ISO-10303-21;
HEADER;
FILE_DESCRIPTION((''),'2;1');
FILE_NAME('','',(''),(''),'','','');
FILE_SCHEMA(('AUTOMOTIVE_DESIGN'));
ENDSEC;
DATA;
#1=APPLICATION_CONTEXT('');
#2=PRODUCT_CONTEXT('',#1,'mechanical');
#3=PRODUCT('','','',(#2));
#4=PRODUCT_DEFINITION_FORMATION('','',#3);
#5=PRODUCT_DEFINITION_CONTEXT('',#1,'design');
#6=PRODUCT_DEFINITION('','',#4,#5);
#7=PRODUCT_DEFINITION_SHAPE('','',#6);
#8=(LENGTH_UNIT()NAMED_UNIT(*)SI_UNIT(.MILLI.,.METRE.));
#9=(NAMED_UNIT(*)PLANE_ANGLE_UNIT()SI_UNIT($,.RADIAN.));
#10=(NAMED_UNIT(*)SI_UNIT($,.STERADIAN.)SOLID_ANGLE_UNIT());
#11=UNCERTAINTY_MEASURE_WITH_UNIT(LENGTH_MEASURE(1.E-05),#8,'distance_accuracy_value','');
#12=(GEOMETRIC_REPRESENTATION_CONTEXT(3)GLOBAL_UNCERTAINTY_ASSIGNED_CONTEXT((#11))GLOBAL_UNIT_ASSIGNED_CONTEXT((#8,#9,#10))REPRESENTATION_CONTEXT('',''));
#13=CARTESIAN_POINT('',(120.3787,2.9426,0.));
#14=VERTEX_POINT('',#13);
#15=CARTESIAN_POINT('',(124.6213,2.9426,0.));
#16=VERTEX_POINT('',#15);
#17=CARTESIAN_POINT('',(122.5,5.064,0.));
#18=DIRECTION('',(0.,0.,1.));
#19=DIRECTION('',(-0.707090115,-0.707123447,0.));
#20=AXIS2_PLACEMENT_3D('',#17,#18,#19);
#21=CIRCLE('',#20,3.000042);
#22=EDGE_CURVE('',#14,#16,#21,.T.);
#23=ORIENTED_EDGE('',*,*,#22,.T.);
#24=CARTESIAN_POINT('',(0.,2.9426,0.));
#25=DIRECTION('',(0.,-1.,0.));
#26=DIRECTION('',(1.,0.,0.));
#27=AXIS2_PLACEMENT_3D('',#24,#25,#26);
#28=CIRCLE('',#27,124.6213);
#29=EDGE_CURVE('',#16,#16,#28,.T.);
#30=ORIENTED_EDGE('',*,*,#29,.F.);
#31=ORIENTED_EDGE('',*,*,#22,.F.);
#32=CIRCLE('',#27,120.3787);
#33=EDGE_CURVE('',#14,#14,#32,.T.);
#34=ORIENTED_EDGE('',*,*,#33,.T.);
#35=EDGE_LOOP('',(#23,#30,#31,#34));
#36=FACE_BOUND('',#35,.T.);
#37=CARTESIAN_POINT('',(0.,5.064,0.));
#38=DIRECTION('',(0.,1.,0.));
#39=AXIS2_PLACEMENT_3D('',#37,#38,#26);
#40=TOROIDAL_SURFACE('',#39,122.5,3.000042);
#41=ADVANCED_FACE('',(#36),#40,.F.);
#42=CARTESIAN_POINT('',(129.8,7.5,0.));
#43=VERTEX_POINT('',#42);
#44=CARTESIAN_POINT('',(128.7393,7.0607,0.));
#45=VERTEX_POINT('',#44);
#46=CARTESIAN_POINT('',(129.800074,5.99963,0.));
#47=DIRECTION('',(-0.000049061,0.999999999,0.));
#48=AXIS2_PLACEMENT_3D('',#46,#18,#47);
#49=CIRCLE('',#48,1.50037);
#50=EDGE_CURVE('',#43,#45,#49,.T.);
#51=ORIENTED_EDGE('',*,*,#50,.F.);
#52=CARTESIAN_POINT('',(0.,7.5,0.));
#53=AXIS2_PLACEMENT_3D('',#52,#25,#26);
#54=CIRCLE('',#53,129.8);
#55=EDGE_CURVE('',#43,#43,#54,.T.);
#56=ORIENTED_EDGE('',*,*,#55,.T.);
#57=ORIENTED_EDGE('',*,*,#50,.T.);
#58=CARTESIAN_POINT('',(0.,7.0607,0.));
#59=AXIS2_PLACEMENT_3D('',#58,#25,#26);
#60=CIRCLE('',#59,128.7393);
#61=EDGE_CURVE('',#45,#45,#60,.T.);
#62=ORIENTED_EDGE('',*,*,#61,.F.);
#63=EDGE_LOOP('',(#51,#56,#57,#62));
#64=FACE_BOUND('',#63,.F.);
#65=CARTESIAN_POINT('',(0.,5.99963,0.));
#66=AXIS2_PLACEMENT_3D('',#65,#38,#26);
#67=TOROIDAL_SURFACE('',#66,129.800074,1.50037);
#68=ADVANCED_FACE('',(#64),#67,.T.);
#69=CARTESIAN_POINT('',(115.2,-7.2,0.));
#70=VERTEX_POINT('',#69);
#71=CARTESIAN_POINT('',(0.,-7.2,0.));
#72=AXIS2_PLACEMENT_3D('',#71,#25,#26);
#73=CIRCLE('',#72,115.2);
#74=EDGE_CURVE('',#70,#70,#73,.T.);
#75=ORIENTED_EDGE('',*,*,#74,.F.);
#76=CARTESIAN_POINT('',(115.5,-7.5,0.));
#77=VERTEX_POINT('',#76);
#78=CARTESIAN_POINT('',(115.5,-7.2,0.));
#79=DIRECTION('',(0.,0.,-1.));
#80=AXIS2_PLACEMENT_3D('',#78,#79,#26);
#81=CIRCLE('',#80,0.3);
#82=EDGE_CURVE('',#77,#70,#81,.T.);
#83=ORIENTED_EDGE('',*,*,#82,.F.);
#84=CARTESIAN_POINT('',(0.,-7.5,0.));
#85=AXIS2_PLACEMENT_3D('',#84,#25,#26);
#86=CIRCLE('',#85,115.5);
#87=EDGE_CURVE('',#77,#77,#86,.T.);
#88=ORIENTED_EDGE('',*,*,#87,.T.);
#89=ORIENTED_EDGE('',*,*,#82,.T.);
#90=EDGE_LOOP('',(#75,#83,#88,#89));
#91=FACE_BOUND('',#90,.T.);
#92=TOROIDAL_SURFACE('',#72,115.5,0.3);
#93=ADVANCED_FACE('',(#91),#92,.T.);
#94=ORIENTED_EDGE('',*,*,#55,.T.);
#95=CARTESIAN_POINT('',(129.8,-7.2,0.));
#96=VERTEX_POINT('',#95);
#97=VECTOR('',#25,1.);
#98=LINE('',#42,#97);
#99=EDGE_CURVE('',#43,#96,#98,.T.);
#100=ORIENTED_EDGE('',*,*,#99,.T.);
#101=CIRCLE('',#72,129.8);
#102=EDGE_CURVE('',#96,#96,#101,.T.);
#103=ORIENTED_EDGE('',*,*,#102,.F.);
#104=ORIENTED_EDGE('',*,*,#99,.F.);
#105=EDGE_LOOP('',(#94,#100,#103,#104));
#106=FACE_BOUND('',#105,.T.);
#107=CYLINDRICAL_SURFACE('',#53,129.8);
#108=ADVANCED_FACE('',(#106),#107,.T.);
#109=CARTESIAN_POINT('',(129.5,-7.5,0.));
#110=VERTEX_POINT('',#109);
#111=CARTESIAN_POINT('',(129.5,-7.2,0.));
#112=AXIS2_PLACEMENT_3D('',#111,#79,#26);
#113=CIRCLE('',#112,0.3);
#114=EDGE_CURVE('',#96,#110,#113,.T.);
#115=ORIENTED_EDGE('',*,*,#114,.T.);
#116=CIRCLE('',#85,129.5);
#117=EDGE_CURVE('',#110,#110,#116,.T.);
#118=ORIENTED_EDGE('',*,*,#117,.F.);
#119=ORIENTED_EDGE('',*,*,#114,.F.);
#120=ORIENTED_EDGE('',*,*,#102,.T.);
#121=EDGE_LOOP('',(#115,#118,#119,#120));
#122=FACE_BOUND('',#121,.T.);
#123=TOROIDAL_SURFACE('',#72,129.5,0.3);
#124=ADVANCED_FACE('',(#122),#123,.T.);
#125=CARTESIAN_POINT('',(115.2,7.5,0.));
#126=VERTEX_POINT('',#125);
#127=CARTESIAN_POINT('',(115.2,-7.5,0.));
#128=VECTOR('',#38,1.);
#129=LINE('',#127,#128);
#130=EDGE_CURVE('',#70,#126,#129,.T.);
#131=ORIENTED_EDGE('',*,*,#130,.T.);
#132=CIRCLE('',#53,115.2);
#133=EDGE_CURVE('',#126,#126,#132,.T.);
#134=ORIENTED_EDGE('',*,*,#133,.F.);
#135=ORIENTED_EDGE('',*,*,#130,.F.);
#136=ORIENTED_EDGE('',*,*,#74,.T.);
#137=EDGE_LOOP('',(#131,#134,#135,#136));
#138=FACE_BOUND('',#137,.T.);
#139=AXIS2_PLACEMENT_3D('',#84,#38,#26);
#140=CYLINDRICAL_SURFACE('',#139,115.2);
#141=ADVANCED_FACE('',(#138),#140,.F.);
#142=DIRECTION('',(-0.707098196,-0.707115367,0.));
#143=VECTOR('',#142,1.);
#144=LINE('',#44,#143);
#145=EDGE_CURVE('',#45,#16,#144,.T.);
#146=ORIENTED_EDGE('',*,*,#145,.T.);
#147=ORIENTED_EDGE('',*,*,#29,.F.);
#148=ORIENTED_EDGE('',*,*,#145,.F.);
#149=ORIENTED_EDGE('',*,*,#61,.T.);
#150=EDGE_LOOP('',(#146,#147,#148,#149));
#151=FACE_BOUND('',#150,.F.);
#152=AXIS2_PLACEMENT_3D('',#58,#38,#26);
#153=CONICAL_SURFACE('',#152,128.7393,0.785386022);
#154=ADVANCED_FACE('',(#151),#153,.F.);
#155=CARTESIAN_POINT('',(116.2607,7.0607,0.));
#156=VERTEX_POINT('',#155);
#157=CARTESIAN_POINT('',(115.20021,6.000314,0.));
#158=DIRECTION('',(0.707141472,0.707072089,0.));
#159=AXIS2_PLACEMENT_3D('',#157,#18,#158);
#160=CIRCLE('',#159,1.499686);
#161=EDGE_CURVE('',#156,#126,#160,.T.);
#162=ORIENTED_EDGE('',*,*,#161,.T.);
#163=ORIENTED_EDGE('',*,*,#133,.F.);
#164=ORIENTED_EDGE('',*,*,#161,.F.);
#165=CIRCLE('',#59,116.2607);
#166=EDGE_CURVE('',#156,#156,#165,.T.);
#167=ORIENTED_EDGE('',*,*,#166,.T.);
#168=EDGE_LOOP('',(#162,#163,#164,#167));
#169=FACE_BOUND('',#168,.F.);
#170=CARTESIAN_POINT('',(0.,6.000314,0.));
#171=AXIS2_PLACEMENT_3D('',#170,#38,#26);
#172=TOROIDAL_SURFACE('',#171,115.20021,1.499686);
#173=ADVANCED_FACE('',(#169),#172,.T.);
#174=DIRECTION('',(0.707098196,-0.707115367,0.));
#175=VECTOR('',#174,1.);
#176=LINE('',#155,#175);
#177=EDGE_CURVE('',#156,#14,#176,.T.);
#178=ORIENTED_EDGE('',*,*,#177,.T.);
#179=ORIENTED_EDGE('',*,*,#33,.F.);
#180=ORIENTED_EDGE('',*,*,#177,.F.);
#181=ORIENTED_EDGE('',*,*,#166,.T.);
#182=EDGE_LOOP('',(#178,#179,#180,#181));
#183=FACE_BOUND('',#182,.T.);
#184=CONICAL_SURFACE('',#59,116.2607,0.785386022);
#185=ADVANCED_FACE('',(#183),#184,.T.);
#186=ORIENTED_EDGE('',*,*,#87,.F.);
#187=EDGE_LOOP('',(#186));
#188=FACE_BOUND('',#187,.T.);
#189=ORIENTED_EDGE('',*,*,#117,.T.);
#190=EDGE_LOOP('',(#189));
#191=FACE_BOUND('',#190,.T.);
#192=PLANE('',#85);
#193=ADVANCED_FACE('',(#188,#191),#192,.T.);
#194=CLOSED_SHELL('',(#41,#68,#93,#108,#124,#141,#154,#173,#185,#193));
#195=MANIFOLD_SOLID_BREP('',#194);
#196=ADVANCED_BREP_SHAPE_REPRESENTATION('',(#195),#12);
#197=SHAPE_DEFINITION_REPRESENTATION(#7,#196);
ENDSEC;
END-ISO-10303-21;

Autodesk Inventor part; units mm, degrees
ref_plane "YZ Plane" through (0, 0, 0) normal (1, 0, 0) x (0, 1, 0)
ref_plane "XZ Plane" through (0, 0, 0) normal (0, 1, 0) x (-1, 0, 0)
ref_plane "XY Plane" through (0, 0, 0) normal (0, 0, 1) x (1, 0, 0)
sketch "Sketch1" plane through (0, 0, 0) normal (0, 0, 1) x (1, 0, 0)
  line L0 (129.8, 7.5) -> (129.8, -7.5)
  line L1 (129.8, -7.5) -> (115.2, -7.5)
  line L2 (115.2, -7.5) -> (115.2, 7.5)
  line L3 (0, 7.1027) -> (0, -7.1027)
  line L4 (116.2607, 7.0607) -> (120.3787, 2.9426)
  line L5 (128.7393, 7.0607) -> (124.6213, 2.9426)
  arc A0 (120.3787, 2.9426) -> (124.6213, 2.9426) centre (122.5, 5.064) ccw
  arc A1 (129.8, 7.5) -> (128.7393, 7.0607) centre (129.8, 6) ccw
  line L6 (122.5, 5.064) -> (122.5, 12.2512)
  arc A2 (116.2607, 7.0607) -> (115.2, 7.5) centre (115.2, 6) ccw
  point P0 (0, 0)
  point P1 (0, 0)
  point P2 (115.2, 0)
  point P3 (129.8, -3.0792)
  point P4 (115.2, 0)
  dimension "externalDiameter_parameter" = 259.6
  dimension "d5" = 230.4
  dimension "d1" = 90
  dimension "fascia_parameter" = 14.6
  dimension "radius1_parameter" = 1.5
  dimension "radius2_parameter" = 3
  dimension "d2" = 90
  dimension "height_parameter" = 15
  dimension "d28" = 1.5
revolve "Revolution2" add sketch "Sketch1" angle 360 about axis through (0, 7.1027, 0) along (0, -1, 0)
fillet "Fillet2" radius 0.3 2 edges at (-129.8, -7.5, 0) (-115.2, -7.5, 0)
properties part number "201555-1-1-test" material "Nylon 6/6"
